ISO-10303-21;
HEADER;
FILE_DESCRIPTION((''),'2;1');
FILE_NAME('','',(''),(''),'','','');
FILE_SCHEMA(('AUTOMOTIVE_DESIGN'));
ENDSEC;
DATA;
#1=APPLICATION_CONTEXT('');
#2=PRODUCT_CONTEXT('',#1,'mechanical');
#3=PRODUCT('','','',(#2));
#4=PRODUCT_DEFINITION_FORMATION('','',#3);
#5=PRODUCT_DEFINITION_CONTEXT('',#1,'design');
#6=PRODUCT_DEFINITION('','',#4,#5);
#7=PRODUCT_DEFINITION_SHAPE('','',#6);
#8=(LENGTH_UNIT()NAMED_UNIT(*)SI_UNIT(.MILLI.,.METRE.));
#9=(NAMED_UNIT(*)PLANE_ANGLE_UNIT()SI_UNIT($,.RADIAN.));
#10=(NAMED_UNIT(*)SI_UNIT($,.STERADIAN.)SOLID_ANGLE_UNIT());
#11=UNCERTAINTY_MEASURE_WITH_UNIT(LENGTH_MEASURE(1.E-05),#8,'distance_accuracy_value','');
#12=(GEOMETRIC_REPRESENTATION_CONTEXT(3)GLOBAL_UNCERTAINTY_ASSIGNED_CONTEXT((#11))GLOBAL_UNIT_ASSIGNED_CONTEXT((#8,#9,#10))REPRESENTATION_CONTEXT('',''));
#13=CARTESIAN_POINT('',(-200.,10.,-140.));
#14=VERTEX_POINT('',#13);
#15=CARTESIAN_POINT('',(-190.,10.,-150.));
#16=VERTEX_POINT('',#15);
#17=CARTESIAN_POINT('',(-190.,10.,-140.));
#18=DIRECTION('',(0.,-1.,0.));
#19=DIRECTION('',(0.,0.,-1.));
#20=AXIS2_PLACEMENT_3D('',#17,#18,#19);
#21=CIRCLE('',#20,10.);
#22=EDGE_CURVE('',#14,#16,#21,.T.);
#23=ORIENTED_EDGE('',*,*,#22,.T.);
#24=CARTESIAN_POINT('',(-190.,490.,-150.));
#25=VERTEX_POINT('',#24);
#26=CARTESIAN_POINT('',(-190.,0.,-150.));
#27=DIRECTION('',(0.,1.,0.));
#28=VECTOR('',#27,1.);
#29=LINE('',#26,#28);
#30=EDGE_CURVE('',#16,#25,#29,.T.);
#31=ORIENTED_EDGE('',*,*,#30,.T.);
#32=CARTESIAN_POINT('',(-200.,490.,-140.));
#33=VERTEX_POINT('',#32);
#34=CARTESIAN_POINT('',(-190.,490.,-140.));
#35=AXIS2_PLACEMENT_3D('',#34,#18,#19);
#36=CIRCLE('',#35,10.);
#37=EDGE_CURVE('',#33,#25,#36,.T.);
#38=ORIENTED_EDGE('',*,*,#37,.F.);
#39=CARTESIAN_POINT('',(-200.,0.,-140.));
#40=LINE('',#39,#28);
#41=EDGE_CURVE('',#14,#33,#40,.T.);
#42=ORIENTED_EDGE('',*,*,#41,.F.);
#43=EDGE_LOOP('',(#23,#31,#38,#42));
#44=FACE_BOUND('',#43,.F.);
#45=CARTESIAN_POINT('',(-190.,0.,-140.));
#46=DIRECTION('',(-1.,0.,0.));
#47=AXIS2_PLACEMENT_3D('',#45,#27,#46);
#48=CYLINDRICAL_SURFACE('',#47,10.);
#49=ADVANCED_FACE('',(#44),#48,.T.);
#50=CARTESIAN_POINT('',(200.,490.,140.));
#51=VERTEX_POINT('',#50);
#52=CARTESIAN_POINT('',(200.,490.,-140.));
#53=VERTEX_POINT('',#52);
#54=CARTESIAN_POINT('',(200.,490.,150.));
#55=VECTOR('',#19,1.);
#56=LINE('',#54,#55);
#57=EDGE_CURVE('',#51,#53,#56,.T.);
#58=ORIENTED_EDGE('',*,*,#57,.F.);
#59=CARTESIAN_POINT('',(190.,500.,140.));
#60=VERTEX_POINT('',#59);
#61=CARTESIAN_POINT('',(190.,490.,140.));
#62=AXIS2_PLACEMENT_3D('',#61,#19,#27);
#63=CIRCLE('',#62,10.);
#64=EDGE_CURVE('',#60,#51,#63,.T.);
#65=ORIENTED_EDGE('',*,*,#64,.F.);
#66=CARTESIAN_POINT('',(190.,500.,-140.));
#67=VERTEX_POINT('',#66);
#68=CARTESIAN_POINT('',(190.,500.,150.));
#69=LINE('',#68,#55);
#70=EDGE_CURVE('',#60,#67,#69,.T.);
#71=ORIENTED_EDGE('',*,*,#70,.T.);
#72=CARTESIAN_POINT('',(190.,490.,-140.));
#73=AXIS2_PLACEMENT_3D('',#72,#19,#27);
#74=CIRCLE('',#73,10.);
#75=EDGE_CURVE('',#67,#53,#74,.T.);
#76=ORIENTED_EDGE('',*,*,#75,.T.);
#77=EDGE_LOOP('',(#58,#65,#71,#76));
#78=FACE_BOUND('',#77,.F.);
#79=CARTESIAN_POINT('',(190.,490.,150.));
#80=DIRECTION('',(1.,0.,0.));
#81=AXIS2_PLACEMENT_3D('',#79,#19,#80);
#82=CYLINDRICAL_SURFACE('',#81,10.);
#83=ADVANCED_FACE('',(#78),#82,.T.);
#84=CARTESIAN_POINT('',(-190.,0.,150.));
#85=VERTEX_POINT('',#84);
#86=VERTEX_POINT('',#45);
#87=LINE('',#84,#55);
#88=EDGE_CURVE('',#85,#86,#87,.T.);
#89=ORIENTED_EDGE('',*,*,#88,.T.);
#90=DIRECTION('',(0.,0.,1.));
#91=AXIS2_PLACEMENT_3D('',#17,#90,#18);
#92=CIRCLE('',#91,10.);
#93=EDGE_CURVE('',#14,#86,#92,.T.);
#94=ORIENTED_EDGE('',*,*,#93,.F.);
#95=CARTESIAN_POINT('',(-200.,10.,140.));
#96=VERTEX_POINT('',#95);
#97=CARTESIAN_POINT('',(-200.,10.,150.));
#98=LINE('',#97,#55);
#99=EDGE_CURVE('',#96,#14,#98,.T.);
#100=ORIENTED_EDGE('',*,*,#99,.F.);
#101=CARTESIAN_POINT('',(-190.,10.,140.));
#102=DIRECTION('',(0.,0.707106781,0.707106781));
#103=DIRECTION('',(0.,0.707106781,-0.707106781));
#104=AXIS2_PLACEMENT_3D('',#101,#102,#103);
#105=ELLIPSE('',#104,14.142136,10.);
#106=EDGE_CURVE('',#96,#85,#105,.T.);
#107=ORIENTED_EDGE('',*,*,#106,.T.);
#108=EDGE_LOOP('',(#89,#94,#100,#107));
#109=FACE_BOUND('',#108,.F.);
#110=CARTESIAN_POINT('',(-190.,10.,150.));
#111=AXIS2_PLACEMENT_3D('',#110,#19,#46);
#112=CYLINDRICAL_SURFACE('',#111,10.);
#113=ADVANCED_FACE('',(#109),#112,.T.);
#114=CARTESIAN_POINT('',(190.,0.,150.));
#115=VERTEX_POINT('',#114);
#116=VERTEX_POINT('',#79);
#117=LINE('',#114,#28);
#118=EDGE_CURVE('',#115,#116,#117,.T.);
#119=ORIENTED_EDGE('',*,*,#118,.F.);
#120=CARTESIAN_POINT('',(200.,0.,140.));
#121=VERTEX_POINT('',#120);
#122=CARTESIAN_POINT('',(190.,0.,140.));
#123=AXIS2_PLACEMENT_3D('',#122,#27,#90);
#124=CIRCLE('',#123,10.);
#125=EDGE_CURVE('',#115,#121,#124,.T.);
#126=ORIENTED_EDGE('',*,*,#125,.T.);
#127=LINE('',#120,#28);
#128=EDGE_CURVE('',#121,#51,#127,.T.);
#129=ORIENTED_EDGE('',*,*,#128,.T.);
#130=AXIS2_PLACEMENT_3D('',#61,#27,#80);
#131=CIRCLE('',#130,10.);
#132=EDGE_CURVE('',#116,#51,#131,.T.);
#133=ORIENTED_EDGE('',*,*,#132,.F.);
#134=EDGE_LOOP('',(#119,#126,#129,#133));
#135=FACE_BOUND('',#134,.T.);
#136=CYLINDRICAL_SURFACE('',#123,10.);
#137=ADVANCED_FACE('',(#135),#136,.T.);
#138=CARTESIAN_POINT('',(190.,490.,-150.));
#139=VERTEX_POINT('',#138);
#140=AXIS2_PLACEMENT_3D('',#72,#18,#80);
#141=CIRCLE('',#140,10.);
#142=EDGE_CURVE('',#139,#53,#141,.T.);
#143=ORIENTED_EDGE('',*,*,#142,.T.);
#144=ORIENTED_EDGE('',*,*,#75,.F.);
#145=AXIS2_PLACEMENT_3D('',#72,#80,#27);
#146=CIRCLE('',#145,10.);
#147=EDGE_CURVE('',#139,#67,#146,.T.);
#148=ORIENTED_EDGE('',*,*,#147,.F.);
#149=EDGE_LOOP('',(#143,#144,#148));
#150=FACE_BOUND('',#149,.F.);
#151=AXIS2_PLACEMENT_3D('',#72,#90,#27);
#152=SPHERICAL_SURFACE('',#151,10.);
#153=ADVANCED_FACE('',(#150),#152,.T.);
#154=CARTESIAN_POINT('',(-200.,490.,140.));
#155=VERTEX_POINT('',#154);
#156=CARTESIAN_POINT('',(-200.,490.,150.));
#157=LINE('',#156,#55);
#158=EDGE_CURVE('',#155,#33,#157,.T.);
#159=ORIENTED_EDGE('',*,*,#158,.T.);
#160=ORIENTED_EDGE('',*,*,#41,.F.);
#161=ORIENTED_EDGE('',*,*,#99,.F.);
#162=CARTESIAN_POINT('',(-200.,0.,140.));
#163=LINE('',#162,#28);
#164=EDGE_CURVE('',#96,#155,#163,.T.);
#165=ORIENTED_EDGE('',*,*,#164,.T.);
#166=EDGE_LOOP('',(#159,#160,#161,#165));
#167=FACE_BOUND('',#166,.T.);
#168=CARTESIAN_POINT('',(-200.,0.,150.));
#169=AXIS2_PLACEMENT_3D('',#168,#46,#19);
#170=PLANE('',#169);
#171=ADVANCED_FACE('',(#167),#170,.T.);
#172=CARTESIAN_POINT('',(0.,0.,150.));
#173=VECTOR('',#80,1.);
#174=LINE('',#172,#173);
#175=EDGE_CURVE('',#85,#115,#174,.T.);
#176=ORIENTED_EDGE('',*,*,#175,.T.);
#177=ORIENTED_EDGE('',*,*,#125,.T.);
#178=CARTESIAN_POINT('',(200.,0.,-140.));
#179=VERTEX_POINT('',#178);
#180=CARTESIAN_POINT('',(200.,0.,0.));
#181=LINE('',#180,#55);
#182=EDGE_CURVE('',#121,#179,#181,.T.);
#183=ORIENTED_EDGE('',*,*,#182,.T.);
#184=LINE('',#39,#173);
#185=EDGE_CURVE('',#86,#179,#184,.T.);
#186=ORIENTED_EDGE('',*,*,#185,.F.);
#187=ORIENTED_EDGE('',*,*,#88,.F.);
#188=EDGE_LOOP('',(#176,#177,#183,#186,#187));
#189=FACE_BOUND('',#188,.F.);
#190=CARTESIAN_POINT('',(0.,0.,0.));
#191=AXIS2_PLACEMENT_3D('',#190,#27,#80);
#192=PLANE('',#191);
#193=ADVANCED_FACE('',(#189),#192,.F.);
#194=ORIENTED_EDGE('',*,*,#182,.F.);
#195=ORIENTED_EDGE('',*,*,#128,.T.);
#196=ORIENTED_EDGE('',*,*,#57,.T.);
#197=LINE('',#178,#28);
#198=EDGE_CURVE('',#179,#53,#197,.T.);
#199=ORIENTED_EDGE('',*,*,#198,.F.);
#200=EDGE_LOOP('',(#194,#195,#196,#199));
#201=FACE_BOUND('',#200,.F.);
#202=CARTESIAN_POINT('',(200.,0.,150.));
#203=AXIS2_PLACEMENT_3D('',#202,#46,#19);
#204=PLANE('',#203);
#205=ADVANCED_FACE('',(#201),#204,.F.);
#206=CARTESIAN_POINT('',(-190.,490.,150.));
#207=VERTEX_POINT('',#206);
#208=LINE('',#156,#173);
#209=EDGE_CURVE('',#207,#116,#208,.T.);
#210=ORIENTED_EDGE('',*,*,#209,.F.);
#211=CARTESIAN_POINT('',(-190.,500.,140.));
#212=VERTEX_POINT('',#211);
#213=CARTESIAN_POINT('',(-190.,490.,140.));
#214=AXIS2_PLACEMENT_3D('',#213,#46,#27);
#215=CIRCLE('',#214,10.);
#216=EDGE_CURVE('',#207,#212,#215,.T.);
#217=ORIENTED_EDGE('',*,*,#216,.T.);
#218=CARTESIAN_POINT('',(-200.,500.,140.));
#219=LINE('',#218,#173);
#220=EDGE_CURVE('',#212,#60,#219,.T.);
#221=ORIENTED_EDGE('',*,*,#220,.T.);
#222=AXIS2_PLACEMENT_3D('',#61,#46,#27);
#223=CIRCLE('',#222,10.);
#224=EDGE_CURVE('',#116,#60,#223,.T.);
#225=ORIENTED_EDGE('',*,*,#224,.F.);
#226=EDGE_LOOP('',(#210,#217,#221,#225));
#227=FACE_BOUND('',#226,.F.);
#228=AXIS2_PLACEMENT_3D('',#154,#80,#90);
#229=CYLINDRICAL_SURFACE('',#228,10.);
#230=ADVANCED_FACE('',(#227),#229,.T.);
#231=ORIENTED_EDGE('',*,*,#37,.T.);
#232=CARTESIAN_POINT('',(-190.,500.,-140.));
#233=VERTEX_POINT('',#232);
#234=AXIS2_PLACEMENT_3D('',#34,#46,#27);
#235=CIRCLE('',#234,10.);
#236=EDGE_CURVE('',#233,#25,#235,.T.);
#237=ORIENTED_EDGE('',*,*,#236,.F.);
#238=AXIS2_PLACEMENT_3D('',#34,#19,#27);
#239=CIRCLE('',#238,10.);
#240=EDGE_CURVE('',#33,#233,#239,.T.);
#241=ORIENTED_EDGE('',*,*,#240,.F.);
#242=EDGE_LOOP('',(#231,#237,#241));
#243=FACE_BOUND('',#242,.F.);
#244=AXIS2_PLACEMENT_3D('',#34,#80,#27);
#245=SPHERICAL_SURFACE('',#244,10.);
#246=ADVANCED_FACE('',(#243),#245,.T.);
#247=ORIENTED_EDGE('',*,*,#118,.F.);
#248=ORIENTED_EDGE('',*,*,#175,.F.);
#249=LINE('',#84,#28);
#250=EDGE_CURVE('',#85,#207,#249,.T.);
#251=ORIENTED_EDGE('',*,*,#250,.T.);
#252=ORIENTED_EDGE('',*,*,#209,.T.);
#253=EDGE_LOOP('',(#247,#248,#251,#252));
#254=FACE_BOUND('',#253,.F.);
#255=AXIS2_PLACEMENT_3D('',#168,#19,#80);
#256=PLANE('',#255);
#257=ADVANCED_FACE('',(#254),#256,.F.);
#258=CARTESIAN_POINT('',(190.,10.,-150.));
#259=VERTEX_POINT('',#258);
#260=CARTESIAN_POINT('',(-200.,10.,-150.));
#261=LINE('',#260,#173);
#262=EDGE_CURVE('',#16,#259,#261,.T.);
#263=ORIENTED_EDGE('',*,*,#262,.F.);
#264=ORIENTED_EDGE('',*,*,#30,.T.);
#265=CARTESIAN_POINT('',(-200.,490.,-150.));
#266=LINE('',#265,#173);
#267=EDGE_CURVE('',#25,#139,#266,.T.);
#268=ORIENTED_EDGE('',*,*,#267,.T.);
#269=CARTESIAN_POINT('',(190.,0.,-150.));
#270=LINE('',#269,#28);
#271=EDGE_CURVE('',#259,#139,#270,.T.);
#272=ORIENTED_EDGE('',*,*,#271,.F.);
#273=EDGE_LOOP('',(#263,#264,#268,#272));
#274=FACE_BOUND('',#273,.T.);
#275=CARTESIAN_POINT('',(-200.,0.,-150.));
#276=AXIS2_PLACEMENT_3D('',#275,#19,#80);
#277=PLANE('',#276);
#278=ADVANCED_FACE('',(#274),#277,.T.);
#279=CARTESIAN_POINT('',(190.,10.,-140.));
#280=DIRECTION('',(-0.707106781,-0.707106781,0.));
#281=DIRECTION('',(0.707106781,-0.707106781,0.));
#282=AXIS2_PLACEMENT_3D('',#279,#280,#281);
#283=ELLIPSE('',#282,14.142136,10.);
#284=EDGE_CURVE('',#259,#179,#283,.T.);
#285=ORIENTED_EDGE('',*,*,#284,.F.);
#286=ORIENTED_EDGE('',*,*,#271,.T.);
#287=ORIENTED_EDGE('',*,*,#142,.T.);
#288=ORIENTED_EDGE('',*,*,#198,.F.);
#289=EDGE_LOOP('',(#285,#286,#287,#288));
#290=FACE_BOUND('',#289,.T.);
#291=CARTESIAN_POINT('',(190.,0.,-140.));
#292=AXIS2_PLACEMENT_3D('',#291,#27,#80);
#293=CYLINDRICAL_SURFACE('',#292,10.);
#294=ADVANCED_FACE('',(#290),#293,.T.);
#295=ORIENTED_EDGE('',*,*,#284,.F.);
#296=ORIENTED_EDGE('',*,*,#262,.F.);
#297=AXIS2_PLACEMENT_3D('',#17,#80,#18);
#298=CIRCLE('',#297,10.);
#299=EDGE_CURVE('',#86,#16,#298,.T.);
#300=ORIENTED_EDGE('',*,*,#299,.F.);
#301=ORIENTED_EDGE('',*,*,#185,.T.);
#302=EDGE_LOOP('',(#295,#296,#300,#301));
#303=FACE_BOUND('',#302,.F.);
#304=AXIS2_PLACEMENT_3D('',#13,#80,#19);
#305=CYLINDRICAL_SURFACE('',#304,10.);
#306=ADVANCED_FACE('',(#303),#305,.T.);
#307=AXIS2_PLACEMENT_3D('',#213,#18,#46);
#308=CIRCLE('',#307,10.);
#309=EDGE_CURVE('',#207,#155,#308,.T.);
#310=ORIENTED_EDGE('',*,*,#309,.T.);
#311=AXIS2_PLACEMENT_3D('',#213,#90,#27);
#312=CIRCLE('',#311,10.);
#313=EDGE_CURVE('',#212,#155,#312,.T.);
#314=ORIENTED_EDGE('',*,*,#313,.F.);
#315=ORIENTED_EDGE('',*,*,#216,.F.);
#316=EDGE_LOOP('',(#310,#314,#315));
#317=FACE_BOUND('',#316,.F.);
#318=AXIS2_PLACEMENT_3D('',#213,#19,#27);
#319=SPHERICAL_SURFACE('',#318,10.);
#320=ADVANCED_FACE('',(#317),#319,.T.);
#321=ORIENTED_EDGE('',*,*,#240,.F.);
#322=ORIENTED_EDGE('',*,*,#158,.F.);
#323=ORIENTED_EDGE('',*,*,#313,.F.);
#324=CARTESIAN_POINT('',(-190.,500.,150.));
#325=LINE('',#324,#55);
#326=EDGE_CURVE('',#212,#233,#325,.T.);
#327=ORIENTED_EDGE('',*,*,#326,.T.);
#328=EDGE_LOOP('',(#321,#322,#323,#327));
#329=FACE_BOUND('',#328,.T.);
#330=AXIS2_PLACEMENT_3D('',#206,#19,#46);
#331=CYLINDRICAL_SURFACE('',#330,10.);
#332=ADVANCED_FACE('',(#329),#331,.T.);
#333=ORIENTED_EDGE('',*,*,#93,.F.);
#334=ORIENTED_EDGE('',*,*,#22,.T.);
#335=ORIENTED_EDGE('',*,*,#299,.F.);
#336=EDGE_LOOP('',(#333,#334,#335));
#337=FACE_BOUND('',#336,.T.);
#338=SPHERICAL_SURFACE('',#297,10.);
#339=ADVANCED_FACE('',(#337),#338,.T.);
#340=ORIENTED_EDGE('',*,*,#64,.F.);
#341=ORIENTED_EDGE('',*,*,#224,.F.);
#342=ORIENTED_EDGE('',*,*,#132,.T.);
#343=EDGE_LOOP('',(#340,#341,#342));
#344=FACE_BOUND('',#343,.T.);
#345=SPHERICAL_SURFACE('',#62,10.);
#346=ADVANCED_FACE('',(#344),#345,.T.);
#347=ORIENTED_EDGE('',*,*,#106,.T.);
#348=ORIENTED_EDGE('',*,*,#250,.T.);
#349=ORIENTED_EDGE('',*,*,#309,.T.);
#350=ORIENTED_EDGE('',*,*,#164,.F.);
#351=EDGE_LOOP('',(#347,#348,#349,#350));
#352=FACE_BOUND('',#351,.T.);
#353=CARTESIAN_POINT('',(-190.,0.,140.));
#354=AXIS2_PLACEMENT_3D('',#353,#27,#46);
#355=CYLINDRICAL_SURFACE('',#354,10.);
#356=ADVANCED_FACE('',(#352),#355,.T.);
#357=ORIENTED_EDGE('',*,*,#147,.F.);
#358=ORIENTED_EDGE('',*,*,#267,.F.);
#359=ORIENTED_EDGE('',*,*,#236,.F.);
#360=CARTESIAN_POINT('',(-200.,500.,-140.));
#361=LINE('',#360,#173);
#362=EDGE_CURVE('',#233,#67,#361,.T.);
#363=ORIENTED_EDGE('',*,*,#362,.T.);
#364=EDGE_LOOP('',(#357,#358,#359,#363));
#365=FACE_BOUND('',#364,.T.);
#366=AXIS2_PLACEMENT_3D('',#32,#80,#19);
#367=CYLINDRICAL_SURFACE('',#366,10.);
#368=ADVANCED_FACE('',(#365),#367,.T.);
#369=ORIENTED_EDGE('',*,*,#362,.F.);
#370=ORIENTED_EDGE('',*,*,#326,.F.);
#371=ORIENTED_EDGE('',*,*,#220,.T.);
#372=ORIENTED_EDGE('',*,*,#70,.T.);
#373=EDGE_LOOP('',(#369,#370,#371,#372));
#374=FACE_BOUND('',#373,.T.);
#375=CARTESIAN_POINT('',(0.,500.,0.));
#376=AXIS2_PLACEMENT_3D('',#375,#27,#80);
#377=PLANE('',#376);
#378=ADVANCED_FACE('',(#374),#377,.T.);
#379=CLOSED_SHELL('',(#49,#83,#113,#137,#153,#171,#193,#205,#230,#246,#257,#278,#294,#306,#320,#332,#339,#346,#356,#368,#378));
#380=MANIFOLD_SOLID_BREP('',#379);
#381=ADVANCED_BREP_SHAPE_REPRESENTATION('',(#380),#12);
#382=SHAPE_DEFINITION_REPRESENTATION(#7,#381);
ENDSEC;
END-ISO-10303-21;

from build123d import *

# Parameters (mm, degrees)
SKETCH_1_W      = 400
SKETCH_1_H      = 300
EXTRUDE_1_DEPTH = 500
FILLET_1_R      = 10


with BuildPart() as part:
    # 草图1 → 凸台-拉伸1 (new body)
    with BuildSketch(Plane(origin=(0, 0, 0), x_dir=(1, 0, 0), z_dir=(0, 1, 0))):
        Rectangle(SKETCH_1_W, SKETCH_1_H)
    extrude(amount=EXTRUDE_1_DEPTH)

    # 圆角1
    fillet_1_edges = [part.edges().sort_by_distance(p)[0] for p in [
        (200, 500, 0),
        (0, 500, -150),
        (-200, 500, 0),
        (0, 0, -150),
        (-200, 0, 0),
        (0, 500, 150),
        (-200, 250, -150),
        (200, 250, -150),
        (200, 250, 150),
        (-200, 250, 150),
    ]]
    fillet(fillet_1_edges, radius=FILLET_1_R)


solid = part.part
